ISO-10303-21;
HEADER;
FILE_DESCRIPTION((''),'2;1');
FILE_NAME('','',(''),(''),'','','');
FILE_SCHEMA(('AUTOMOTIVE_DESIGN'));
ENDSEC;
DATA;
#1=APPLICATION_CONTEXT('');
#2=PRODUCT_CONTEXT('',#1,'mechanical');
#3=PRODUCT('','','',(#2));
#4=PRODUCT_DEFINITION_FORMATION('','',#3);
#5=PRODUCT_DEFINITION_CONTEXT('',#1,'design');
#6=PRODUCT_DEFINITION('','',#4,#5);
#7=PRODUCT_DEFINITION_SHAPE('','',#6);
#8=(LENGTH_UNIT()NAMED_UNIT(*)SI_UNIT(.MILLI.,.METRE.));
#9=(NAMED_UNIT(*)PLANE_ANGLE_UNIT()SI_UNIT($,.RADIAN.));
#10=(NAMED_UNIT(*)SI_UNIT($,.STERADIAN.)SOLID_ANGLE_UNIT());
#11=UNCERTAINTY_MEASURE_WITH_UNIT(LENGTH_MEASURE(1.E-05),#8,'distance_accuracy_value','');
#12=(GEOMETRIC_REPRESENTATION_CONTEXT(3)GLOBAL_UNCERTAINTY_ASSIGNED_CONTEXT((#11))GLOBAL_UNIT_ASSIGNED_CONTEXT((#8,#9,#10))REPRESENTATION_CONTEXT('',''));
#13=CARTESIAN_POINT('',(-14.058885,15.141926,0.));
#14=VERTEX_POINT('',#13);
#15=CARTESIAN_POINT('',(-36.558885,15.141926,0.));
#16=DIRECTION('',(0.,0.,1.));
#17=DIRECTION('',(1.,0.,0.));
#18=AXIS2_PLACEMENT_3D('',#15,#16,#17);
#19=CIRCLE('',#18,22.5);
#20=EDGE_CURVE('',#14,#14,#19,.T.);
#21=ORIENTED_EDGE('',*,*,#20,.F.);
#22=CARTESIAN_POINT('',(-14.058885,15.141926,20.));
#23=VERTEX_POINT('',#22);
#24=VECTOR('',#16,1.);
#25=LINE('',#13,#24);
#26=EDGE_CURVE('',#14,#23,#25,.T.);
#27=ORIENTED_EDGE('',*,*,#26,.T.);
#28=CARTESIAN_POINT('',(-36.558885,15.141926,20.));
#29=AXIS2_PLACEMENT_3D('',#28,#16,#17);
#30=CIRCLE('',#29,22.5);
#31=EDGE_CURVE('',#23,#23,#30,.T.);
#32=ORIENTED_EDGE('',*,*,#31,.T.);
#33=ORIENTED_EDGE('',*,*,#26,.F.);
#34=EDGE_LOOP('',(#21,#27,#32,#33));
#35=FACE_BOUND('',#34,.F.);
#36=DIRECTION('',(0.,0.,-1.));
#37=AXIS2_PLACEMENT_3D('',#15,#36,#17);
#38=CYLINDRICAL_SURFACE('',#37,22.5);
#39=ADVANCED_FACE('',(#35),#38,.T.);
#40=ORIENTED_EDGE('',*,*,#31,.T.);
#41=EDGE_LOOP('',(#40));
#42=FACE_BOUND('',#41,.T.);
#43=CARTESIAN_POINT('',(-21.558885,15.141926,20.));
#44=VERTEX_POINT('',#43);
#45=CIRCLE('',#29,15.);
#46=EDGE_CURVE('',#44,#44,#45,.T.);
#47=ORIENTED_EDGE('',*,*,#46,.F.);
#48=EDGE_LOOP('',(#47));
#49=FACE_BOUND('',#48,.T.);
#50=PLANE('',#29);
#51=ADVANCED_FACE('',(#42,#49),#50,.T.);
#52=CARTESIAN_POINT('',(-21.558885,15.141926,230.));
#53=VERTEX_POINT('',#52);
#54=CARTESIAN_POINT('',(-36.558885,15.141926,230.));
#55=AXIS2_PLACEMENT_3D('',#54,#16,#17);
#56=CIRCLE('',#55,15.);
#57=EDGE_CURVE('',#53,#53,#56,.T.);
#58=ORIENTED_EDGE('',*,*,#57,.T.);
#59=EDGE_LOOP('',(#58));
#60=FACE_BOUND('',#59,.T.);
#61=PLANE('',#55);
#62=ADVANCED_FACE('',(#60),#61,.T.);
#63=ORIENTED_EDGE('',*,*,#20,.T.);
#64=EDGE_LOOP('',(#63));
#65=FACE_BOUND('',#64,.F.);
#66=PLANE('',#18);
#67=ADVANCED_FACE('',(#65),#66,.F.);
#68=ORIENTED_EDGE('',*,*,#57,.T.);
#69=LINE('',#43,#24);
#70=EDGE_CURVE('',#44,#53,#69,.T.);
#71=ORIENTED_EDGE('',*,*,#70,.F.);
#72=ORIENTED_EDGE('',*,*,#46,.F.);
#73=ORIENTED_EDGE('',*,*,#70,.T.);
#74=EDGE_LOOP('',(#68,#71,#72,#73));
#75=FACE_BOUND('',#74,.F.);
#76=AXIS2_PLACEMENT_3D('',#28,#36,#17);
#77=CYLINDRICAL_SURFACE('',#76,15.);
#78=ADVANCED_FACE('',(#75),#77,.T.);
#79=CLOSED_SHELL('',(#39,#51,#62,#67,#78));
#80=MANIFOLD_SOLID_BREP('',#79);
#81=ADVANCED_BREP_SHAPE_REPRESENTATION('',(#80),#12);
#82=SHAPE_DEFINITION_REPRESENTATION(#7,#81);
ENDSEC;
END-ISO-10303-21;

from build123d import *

# Parameters (mm, degrees)
SKETCH1_R           = 22.5
BOSS_EXTRUDE1_DEPTH = 20
SKETCH2_R           = 15
BOSS_EXTRUDE2_DEPTH = 210


with BuildPart() as part:
    # Sketch1 → Boss-Extrude1 (new body)
    with BuildSketch(Plane.XY):
        with Locations((-36.558885437, 15.141926431)):
            Circle(SKETCH1_R)
    extrude(amount=BOSS_EXTRUDE1_DEPTH)

    # Sketch2 → Boss-Extrude2 (add)
    with BuildSketch(Plane.XY.offset(20)):
        with Locations((-36.558885437, 15.141926431)):
            Circle(SKETCH2_R)
    extrude(amount=BOSS_EXTRUDE2_DEPTH)


solid = part.part
